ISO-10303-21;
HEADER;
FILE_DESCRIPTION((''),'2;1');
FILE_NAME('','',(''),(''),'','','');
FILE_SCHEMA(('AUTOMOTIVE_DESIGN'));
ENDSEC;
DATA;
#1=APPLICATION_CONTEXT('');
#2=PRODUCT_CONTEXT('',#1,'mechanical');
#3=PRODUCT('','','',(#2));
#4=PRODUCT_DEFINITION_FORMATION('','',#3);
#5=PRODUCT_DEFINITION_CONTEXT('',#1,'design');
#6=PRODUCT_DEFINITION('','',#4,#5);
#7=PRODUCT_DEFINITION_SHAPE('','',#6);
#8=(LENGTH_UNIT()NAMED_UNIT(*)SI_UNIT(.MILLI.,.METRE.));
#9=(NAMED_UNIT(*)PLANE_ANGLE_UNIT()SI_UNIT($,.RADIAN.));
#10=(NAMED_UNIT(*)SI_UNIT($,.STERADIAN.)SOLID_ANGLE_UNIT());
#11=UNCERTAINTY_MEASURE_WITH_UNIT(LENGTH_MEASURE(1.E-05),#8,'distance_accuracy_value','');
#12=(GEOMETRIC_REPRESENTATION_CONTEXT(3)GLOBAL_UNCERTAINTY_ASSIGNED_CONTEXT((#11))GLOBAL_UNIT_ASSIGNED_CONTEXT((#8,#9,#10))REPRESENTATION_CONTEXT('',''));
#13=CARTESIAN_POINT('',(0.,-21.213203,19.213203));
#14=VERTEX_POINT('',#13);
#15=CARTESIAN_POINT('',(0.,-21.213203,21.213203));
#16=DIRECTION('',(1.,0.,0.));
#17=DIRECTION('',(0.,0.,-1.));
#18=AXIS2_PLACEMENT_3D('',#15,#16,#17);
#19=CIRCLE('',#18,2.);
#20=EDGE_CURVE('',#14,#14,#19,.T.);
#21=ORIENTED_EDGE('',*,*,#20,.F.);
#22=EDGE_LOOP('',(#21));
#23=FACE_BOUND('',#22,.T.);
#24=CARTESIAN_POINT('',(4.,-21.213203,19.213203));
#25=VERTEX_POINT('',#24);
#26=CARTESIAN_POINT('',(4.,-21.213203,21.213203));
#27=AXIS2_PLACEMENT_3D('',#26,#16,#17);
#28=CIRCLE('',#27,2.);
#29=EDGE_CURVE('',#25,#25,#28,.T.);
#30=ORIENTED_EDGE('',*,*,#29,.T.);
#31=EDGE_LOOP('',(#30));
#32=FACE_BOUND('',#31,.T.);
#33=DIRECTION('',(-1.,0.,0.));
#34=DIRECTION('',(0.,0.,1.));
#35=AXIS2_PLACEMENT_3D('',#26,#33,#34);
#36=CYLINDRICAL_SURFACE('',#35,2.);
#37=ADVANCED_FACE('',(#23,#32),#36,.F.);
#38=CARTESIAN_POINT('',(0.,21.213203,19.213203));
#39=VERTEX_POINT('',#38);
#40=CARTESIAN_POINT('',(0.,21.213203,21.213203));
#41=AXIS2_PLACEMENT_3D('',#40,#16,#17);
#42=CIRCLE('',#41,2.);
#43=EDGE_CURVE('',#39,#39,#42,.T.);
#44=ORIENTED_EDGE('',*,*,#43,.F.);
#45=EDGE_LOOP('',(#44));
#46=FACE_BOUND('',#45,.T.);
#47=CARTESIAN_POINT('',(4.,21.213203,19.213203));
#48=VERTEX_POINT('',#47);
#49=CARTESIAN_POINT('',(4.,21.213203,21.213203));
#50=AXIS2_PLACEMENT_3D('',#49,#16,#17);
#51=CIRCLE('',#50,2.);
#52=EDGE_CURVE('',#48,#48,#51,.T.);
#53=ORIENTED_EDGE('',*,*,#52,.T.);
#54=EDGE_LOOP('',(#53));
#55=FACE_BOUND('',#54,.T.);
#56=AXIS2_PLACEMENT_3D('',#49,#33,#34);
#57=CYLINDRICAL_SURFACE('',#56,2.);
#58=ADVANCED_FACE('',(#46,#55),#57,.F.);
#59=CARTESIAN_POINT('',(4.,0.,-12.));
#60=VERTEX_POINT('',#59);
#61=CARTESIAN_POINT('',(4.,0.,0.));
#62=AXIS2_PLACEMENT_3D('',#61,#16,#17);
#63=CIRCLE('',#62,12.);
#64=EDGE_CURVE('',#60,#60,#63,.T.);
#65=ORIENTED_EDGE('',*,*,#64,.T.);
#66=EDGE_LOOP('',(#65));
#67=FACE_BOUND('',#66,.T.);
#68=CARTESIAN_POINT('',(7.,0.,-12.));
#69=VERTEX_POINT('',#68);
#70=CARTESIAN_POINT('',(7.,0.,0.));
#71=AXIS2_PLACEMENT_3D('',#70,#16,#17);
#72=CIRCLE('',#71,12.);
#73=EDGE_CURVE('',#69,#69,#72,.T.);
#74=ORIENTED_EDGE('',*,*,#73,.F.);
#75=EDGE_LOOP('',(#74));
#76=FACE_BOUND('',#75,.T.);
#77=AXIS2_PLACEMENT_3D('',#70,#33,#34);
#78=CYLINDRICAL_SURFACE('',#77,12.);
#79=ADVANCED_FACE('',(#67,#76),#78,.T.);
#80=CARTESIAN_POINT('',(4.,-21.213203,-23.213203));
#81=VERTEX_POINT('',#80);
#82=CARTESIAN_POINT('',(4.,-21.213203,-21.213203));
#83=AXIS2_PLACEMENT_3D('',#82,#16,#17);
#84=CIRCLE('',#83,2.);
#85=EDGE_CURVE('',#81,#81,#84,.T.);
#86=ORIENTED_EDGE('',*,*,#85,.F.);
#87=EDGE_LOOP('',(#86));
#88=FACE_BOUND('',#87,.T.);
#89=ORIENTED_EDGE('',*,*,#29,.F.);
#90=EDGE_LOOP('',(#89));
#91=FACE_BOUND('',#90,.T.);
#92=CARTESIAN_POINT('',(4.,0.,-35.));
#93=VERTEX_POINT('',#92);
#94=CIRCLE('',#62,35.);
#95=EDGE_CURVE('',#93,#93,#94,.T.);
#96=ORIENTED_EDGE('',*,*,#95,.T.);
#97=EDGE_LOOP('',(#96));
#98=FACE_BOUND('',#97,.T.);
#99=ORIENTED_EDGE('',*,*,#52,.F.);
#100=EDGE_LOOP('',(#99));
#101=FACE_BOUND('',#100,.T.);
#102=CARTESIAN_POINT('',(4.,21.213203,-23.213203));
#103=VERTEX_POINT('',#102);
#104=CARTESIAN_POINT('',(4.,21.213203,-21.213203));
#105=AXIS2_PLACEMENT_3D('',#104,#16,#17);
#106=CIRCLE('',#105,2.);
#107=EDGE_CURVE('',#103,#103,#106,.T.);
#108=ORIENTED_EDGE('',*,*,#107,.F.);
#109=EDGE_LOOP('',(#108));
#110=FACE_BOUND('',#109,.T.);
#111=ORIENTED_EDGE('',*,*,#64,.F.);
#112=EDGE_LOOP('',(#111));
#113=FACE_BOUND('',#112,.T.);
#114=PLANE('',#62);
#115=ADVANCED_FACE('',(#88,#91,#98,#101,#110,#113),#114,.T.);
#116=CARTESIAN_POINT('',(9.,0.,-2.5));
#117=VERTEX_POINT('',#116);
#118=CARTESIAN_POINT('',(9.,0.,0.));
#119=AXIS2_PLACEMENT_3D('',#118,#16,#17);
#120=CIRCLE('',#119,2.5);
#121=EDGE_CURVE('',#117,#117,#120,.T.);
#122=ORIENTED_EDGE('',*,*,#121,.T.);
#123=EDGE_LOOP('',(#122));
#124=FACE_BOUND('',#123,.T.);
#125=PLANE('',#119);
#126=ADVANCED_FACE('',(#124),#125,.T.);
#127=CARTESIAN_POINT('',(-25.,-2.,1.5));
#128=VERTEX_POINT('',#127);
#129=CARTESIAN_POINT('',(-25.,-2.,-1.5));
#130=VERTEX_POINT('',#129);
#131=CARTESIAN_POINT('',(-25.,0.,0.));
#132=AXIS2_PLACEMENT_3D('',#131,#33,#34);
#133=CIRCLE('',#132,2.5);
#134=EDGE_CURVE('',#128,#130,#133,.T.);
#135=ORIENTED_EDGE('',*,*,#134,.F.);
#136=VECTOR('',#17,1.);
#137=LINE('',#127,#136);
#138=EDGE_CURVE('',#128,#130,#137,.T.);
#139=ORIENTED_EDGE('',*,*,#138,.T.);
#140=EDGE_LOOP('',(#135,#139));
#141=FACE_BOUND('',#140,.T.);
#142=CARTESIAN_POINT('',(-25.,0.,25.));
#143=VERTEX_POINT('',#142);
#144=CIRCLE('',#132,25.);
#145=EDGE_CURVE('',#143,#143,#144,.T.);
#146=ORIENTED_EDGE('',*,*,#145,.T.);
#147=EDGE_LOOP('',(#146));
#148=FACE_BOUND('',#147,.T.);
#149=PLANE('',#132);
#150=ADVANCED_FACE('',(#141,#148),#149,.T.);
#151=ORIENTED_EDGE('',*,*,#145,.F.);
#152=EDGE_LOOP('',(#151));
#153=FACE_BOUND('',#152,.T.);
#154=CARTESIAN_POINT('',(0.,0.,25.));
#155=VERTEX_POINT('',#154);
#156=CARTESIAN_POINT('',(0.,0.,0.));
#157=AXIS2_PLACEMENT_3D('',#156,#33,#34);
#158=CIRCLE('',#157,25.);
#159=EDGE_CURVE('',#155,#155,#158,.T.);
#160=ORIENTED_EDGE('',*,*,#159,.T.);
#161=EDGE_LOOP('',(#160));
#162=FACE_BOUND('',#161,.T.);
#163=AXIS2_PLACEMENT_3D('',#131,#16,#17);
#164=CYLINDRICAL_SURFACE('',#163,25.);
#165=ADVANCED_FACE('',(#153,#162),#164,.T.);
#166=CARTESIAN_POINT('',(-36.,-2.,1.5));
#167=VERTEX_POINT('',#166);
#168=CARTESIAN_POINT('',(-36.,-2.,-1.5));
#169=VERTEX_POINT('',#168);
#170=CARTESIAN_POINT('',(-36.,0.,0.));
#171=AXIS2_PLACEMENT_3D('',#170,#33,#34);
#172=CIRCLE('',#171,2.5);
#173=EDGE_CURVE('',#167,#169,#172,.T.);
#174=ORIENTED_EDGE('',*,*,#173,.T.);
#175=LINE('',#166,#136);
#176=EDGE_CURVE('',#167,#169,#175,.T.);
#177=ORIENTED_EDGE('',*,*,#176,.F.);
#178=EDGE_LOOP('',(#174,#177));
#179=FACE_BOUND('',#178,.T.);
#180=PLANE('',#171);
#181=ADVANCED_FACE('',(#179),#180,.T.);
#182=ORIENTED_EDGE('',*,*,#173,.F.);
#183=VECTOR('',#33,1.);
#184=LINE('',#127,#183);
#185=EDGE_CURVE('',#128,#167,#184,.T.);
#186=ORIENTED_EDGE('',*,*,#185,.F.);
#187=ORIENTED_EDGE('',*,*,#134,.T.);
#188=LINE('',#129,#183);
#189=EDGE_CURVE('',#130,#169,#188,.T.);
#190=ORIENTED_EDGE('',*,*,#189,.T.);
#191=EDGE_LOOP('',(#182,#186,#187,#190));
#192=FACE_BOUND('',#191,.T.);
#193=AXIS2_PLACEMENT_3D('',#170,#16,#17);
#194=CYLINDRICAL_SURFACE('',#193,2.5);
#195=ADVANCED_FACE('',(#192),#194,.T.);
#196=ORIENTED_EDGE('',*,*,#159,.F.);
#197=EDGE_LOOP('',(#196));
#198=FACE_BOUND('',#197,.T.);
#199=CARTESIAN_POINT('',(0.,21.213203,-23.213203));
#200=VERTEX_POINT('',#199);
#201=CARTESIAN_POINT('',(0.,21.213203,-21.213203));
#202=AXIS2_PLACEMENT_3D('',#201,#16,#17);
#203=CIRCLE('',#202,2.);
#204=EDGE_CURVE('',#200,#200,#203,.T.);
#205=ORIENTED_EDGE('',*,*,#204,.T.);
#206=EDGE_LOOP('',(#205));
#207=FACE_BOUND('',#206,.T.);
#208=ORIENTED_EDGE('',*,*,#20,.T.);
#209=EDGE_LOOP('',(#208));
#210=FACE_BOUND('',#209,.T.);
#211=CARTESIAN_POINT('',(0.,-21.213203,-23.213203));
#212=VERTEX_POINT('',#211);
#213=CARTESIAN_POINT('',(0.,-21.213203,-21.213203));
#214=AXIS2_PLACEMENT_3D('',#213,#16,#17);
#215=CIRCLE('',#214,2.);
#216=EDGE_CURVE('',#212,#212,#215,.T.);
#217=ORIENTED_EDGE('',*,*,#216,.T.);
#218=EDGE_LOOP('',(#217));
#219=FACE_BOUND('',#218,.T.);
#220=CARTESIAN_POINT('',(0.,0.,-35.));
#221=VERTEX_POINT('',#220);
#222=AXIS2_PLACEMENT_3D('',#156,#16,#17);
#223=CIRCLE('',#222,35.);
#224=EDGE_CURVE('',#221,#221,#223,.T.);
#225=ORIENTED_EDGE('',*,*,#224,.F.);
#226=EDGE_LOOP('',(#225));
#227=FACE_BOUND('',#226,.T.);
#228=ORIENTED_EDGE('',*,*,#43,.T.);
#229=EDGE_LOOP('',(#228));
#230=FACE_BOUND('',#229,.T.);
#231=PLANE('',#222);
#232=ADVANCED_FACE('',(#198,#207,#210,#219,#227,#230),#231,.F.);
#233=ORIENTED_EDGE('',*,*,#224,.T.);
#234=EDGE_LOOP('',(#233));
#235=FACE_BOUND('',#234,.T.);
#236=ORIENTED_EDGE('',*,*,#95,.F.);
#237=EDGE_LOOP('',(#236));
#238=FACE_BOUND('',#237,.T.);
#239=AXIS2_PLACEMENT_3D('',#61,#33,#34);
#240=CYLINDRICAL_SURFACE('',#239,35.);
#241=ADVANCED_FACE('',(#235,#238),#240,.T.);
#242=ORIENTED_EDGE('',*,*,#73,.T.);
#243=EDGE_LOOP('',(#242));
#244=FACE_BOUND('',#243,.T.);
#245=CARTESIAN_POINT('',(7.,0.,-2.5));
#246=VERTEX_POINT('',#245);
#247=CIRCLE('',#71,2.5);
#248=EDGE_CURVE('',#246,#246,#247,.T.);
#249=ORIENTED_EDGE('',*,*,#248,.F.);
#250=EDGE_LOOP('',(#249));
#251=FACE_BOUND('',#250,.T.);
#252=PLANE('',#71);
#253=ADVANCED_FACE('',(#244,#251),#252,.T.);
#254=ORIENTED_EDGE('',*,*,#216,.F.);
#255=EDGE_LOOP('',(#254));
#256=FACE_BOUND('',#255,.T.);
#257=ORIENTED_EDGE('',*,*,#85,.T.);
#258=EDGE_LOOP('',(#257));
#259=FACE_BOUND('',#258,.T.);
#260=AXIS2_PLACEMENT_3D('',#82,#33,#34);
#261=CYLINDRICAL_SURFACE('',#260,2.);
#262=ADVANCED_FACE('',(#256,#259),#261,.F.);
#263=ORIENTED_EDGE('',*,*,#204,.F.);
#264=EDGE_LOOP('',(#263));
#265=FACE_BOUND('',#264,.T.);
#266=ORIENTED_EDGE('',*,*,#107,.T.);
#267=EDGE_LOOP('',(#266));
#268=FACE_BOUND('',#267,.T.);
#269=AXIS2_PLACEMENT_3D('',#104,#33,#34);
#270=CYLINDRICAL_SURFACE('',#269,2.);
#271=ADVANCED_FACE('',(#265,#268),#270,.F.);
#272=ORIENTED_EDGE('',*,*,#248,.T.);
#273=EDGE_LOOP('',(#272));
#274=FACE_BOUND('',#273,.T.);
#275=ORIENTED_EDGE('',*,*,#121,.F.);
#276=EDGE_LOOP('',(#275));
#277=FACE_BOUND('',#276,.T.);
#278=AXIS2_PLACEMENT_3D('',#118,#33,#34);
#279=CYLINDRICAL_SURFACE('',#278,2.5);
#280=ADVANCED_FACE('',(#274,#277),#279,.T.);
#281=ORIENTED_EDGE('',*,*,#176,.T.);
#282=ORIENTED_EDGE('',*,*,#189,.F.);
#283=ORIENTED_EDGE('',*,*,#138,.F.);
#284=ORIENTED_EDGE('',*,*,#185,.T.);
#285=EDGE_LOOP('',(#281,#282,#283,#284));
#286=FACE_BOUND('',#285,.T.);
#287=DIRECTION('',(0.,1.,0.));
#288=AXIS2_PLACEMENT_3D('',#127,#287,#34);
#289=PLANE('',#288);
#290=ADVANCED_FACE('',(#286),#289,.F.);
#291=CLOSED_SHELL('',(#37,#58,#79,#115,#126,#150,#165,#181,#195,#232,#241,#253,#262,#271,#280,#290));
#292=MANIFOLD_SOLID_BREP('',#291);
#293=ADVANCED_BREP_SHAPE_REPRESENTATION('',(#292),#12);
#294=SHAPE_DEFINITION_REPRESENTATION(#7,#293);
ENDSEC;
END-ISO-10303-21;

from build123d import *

# Parameters (mm, degrees)
SKETCH_1_R          = 35
SKETCH_1_R_2        = 2
EXTRUDE_1_DEPTH     = 4
SKETCH_2_R          = 12
EXTRUDE_2_DEPTH     = 3
SKETCH_3_R          = 2.5
EXTRUDE_3_DEPTH     = 2
SKETCH_4_R          = 25
EXTRUDE_4_DEPTH     = 25
EXTRUDE_START       = 11
SKETCH_5_R          = 2.5
EXTRUDE_5_DEPTH     = 11
CUT_EXTRUDE_1_DEPTH = 11


with BuildPart() as part:
    # 草图1 → 凸台-拉伸1 (new body)
    with BuildSketch(Plane(origin=(0, 0, 0), x_dir=(0, 0, -1), z_dir=(1, 0, 0))):
        Circle(SKETCH_1_R)
        with Locations((21.213203436, 21.213203436)):
            Circle(SKETCH_1_R_2, mode=Mode.SUBTRACT)
        with Locations((-21.213203436, 21.213203436)):
            Circle(SKETCH_1_R_2, mode=Mode.SUBTRACT)
        with Locations((-21.213203436, -21.213203436)):
            Circle(SKETCH_1_R_2, mode=Mode.SUBTRACT)
        with Locations((21.213203436, -21.213203436)):
            Circle(SKETCH_1_R_2, mode=Mode.SUBTRACT)
    extrude(amount=EXTRUDE_1_DEPTH)

    # 草图2 → 凸台-拉伸2 (add)
    with BuildSketch(Plane(origin=(4, 0, 0), x_dir=(0, 0, -1), z_dir=(1, 0, 0))):
        Circle(SKETCH_2_R)
    extrude(amount=EXTRUDE_2_DEPTH)

    # 草图3 → 凸台-拉伸3 (add)
    with BuildSketch(Plane(origin=(7, 0, 0), x_dir=(0, 0, -1), z_dir=(1, 0, 0))):
        Circle(SKETCH_3_R)
    extrude(amount=EXTRUDE_3_DEPTH)

    # 草图4 → 凸台-拉伸4 (add)
    with BuildSketch(Plane.ZY):
        Circle(SKETCH_4_R)
    extrude(amount=EXTRUDE_4_DEPTH)

    # 草图5 → 凸台-拉伸5 (add)
    with BuildSketch(Plane.ZY.offset(25).offset(EXTRUDE_START)):
        with Locations(Location((0, 0, 0), (0, 0, 180))):
            Circle(SKETCH_5_R)
    extrude(amount=-EXTRUDE_5_DEPTH)

    # 草图6 → 切除-拉伸1 (cut)
    with BuildSketch(Plane.ZY.offset(36)):
        Polygon((1.5, -2), (-1.5, -2), (-1.5, -3.83926129), (2.04191787, -3.83926129), align=None)
    extrude(amount=-CUT_EXTRUDE_1_DEPTH, mode=Mode.SUBTRACT)


solid = part.part
